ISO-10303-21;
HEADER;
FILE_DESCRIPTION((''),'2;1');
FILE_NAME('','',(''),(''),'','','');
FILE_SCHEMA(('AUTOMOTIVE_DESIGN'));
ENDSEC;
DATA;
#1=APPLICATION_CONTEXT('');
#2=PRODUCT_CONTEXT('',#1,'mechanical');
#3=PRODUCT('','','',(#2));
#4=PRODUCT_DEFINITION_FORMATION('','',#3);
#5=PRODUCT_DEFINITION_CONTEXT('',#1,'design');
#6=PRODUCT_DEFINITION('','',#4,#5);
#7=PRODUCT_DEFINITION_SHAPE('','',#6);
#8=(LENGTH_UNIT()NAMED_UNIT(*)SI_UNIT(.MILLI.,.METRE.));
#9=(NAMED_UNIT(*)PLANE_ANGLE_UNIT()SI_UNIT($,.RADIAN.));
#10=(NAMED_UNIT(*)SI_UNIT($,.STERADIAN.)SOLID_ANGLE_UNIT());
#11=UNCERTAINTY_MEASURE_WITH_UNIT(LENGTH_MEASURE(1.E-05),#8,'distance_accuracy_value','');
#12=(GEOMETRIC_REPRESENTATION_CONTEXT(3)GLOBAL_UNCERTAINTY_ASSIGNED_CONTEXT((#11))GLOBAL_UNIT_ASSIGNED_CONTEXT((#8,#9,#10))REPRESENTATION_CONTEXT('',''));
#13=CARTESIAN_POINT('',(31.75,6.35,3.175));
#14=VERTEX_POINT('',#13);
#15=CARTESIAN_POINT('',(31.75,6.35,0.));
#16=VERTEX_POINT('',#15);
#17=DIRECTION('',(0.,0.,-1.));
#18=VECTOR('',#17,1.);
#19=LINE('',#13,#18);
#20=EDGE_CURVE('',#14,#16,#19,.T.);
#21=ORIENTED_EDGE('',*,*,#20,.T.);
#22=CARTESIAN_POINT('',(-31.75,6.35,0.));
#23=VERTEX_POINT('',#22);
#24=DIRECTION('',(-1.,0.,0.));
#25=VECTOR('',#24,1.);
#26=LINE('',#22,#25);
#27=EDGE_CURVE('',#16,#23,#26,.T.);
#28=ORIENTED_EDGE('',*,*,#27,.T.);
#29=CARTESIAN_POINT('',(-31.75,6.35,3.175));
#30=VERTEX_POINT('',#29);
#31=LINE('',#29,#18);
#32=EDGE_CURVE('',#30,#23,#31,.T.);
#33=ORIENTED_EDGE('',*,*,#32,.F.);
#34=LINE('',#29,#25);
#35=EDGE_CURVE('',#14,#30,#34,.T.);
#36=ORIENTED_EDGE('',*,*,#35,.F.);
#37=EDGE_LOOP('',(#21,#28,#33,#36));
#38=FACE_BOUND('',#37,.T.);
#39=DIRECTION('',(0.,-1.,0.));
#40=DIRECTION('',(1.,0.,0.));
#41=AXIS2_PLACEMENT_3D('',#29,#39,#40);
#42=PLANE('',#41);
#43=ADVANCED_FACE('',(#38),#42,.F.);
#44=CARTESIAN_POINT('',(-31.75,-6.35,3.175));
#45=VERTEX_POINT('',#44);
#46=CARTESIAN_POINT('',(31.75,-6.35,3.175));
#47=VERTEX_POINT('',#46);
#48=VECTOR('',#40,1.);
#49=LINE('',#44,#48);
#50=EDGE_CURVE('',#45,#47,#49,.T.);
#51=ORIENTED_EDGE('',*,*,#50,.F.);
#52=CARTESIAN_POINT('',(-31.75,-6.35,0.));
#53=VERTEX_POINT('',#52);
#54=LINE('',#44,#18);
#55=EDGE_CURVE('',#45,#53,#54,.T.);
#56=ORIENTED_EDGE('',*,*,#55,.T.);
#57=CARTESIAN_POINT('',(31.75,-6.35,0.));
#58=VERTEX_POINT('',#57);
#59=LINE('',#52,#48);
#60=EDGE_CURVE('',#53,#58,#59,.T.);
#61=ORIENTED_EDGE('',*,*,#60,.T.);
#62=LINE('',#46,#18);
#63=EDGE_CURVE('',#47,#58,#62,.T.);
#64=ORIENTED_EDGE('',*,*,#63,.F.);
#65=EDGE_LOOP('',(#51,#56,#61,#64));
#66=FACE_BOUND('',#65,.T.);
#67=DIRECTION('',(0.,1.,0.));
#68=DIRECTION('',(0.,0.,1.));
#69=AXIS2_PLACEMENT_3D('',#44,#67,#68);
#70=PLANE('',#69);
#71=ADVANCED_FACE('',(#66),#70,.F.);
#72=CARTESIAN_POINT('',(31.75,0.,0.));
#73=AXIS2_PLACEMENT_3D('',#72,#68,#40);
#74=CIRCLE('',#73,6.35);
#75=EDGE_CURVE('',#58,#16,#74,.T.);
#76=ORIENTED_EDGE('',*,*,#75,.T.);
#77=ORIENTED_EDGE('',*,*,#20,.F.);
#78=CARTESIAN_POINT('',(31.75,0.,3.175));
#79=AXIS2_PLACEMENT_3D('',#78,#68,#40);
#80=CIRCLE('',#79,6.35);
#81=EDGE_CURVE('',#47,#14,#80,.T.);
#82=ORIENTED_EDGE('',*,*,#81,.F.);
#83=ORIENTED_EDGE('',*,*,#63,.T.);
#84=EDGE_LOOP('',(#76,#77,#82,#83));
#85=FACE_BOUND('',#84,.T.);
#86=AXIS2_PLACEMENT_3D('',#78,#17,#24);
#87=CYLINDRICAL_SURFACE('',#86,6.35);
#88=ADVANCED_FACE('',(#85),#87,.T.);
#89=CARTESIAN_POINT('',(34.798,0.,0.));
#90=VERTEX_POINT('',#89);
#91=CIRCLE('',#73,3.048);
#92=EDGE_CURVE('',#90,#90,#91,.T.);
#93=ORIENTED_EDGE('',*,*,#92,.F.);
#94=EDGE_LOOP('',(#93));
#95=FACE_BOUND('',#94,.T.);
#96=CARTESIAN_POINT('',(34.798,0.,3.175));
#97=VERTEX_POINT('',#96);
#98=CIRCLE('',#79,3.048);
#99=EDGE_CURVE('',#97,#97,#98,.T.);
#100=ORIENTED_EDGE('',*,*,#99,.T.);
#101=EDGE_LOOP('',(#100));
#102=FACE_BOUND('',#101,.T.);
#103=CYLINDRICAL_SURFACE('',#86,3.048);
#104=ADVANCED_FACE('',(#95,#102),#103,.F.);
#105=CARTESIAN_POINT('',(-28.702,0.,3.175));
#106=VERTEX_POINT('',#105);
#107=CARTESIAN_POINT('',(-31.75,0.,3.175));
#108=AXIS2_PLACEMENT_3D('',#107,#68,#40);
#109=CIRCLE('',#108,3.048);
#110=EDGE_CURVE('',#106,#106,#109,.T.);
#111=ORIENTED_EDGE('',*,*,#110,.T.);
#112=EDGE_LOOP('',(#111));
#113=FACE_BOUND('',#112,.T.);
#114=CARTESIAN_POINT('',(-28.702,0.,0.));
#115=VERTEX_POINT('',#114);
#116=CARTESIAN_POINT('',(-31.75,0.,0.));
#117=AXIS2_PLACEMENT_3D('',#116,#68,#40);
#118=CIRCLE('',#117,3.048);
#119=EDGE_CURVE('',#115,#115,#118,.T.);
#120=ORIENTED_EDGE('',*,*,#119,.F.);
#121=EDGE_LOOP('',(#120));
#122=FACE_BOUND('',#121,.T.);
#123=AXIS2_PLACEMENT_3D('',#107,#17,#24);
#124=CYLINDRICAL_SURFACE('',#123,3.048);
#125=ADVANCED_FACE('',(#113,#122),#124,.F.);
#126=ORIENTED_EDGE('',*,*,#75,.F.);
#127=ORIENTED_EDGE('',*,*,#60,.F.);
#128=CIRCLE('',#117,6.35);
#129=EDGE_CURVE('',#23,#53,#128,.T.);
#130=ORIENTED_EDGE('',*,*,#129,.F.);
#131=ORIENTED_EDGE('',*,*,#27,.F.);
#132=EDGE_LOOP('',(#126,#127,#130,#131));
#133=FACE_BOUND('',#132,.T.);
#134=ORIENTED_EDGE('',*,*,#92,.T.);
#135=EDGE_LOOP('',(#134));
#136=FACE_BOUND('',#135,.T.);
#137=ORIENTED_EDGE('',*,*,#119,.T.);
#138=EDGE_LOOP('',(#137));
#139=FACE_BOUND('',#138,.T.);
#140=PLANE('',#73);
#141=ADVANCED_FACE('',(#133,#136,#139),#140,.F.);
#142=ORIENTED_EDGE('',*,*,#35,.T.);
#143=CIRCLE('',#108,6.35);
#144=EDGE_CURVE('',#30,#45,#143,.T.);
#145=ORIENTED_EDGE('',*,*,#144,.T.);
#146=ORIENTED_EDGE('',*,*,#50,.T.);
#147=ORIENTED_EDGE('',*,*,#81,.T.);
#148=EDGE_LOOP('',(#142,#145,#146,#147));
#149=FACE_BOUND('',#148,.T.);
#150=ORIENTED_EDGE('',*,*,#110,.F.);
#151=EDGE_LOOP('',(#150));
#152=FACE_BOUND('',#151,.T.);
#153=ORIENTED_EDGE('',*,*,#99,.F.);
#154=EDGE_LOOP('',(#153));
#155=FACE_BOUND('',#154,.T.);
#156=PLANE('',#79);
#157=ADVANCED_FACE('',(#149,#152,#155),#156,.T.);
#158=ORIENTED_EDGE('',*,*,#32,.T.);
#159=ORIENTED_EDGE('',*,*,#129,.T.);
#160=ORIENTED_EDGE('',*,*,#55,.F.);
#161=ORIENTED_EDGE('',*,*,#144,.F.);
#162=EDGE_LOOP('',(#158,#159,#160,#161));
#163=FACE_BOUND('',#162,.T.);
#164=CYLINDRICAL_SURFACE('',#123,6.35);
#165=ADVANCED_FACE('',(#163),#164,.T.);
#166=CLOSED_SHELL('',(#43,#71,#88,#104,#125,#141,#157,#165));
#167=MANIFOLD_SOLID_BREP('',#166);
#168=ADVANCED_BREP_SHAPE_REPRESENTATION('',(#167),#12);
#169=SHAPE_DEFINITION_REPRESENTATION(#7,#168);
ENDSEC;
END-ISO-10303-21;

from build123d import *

# Parameters (mm, degrees)
SKETCH1_R           = 3.048
BOSS_EXTRUDE1_DEPTH = 3.175


with BuildPart() as part:
    # Sketch1 → Boss-Extrude1 (new body)
    with BuildSketch(Plane.XY):
        with BuildLine():
            Line((-31.75, -6.35), (31.75, -6.35))
            ThreePointArc((31.75, -6.35), (38.1, 0), (31.75, 6.35))
            Line((31.75, 6.35), (-31.75, 6.35))
            ThreePointArc((-31.75, 6.35), (-38.1, 0), (-31.75, -6.35))
        make_face()
        with Locations((31.75, 0)):
            Circle(SKETCH1_R, mode=Mode.SUBTRACT)
        with Locations((-31.75, 0)):
            Circle(SKETCH1_R, mode=Mode.SUBTRACT)
    extrude(amount=BOSS_EXTRUDE1_DEPTH)


solid = part.part
